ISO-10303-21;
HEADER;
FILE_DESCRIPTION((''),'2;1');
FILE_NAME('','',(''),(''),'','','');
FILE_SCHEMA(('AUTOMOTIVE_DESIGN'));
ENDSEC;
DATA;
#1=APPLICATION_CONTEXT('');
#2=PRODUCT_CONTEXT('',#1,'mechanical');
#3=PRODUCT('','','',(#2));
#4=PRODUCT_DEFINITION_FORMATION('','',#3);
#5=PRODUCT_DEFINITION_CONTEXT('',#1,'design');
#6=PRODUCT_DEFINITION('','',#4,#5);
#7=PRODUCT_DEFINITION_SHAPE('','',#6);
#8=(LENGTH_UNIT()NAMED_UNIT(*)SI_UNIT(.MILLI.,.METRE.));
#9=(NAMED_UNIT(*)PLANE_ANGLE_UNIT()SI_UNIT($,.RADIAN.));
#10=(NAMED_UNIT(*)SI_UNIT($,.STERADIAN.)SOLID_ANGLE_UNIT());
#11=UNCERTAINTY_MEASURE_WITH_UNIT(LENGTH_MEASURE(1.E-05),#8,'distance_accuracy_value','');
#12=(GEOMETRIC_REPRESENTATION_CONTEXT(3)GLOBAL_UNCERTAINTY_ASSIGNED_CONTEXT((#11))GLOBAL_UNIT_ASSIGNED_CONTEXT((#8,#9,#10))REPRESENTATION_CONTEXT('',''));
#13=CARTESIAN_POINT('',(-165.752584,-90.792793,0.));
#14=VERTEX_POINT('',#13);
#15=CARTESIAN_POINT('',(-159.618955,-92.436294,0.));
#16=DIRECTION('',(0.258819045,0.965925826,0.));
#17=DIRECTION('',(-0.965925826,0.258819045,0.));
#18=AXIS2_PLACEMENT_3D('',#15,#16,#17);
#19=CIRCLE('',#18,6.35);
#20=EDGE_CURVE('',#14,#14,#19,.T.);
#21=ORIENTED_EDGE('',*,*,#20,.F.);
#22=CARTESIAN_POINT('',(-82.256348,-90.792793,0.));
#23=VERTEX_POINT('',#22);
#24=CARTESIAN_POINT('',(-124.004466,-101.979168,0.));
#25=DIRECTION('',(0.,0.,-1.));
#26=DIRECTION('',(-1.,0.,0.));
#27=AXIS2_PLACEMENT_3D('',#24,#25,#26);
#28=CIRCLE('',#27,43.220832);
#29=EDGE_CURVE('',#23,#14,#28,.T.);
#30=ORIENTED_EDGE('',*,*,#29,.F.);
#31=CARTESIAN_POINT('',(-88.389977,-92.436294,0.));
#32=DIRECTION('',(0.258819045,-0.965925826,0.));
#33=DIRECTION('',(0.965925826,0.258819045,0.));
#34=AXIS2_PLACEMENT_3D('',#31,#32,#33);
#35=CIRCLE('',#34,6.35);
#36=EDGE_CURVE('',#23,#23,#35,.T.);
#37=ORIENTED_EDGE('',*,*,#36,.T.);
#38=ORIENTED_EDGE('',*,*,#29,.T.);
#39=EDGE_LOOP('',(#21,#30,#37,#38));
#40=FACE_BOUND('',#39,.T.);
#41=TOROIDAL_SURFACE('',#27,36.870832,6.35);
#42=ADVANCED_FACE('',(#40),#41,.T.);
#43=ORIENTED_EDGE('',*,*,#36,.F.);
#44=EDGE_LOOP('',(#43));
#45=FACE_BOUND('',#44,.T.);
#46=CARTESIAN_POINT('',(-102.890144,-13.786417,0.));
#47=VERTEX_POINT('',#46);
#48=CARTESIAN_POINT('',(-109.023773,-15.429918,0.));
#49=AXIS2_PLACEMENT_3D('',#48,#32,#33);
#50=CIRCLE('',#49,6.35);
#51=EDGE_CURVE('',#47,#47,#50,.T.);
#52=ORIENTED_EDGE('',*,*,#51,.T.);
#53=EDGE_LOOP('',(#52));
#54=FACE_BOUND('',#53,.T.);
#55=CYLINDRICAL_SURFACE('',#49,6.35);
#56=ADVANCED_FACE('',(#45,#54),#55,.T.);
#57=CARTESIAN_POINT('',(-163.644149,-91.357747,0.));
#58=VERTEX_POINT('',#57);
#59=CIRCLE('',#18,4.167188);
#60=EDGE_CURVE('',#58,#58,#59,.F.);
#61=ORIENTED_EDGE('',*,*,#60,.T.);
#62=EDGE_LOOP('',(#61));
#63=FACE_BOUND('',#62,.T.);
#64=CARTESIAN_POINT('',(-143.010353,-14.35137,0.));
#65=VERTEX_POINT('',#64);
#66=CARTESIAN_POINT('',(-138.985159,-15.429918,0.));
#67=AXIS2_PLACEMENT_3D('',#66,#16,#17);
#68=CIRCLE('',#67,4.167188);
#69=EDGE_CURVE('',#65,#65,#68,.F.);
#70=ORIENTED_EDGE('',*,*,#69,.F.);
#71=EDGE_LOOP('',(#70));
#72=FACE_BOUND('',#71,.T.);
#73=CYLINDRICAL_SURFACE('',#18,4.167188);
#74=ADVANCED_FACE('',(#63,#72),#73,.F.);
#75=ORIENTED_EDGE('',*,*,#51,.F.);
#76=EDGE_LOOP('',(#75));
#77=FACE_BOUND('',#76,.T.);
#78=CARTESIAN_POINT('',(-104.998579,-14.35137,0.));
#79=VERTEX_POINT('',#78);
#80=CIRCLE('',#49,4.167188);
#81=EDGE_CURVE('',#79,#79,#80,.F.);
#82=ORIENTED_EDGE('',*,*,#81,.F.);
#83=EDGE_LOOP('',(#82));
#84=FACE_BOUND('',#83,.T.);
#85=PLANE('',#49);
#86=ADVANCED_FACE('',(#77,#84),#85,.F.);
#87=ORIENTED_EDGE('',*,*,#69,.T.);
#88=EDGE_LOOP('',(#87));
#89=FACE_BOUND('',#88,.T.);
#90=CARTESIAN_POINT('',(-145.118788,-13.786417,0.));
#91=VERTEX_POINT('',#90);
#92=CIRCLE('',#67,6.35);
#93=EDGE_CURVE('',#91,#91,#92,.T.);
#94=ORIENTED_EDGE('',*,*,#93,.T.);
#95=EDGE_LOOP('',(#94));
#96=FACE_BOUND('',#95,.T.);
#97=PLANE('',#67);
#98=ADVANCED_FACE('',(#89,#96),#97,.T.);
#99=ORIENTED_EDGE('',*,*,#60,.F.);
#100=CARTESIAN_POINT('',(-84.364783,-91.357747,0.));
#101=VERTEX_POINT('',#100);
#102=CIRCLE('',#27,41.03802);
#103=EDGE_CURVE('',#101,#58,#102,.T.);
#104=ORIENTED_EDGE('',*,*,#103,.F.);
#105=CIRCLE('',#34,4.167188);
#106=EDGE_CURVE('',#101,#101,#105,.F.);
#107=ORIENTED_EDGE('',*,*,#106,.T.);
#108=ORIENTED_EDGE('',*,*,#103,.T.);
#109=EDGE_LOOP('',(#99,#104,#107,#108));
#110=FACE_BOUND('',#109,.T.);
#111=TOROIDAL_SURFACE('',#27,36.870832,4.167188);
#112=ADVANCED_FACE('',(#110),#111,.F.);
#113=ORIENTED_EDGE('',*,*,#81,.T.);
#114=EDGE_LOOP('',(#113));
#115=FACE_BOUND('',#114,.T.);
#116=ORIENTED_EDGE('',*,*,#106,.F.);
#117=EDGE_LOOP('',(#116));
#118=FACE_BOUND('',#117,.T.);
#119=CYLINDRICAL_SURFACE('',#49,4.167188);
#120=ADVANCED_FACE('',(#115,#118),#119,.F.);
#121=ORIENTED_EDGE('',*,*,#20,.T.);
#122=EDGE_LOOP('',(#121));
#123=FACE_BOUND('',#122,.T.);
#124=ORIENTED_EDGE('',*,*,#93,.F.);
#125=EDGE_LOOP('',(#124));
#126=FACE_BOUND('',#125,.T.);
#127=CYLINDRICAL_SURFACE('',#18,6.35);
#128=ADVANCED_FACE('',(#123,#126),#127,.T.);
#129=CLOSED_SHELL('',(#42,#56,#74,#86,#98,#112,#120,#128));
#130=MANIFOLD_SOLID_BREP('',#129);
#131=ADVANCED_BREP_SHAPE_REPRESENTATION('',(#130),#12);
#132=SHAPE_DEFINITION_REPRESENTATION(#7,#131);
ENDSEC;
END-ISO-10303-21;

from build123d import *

# Parameters (mm, degrees)
SKETCH2_R   = 6.35
SKETCH2_R_2 = 4.1671875


with BuildPart() as part:
    # Sweep1: sweep along a path in Sketch1
    with BuildLine(Plane.XY) as sweep1_path:
        Line((-138.985158779, -15.429917513), (-159.618955177, -92.436294023))
        ThreePointArc((-159.618955177, -92.436294023), (-124.004465969, -138.85), (-88.389976761, -92.436294023))
        Line((-88.389976761, -92.436294023), (-109.023773159, -15.429917513))
    # Sketch2 → Sweep1 (sweep)
    with BuildSketch(Plane(origin=(-3.445728615, 12.859634261, 0), x_dir=(0.965925826, 0.258819045, 0), z_dir=(0.258819045, -0.965925826, 0))):
        with Locations((-109.302434691, 0)):
            Circle(SKETCH2_R)
        with Locations((-109.302434691, 0)):
            Circle(SKETCH2_R_2, mode=Mode.SUBTRACT)
    sweep(path=sweep1_path.line)


solid = part.part
